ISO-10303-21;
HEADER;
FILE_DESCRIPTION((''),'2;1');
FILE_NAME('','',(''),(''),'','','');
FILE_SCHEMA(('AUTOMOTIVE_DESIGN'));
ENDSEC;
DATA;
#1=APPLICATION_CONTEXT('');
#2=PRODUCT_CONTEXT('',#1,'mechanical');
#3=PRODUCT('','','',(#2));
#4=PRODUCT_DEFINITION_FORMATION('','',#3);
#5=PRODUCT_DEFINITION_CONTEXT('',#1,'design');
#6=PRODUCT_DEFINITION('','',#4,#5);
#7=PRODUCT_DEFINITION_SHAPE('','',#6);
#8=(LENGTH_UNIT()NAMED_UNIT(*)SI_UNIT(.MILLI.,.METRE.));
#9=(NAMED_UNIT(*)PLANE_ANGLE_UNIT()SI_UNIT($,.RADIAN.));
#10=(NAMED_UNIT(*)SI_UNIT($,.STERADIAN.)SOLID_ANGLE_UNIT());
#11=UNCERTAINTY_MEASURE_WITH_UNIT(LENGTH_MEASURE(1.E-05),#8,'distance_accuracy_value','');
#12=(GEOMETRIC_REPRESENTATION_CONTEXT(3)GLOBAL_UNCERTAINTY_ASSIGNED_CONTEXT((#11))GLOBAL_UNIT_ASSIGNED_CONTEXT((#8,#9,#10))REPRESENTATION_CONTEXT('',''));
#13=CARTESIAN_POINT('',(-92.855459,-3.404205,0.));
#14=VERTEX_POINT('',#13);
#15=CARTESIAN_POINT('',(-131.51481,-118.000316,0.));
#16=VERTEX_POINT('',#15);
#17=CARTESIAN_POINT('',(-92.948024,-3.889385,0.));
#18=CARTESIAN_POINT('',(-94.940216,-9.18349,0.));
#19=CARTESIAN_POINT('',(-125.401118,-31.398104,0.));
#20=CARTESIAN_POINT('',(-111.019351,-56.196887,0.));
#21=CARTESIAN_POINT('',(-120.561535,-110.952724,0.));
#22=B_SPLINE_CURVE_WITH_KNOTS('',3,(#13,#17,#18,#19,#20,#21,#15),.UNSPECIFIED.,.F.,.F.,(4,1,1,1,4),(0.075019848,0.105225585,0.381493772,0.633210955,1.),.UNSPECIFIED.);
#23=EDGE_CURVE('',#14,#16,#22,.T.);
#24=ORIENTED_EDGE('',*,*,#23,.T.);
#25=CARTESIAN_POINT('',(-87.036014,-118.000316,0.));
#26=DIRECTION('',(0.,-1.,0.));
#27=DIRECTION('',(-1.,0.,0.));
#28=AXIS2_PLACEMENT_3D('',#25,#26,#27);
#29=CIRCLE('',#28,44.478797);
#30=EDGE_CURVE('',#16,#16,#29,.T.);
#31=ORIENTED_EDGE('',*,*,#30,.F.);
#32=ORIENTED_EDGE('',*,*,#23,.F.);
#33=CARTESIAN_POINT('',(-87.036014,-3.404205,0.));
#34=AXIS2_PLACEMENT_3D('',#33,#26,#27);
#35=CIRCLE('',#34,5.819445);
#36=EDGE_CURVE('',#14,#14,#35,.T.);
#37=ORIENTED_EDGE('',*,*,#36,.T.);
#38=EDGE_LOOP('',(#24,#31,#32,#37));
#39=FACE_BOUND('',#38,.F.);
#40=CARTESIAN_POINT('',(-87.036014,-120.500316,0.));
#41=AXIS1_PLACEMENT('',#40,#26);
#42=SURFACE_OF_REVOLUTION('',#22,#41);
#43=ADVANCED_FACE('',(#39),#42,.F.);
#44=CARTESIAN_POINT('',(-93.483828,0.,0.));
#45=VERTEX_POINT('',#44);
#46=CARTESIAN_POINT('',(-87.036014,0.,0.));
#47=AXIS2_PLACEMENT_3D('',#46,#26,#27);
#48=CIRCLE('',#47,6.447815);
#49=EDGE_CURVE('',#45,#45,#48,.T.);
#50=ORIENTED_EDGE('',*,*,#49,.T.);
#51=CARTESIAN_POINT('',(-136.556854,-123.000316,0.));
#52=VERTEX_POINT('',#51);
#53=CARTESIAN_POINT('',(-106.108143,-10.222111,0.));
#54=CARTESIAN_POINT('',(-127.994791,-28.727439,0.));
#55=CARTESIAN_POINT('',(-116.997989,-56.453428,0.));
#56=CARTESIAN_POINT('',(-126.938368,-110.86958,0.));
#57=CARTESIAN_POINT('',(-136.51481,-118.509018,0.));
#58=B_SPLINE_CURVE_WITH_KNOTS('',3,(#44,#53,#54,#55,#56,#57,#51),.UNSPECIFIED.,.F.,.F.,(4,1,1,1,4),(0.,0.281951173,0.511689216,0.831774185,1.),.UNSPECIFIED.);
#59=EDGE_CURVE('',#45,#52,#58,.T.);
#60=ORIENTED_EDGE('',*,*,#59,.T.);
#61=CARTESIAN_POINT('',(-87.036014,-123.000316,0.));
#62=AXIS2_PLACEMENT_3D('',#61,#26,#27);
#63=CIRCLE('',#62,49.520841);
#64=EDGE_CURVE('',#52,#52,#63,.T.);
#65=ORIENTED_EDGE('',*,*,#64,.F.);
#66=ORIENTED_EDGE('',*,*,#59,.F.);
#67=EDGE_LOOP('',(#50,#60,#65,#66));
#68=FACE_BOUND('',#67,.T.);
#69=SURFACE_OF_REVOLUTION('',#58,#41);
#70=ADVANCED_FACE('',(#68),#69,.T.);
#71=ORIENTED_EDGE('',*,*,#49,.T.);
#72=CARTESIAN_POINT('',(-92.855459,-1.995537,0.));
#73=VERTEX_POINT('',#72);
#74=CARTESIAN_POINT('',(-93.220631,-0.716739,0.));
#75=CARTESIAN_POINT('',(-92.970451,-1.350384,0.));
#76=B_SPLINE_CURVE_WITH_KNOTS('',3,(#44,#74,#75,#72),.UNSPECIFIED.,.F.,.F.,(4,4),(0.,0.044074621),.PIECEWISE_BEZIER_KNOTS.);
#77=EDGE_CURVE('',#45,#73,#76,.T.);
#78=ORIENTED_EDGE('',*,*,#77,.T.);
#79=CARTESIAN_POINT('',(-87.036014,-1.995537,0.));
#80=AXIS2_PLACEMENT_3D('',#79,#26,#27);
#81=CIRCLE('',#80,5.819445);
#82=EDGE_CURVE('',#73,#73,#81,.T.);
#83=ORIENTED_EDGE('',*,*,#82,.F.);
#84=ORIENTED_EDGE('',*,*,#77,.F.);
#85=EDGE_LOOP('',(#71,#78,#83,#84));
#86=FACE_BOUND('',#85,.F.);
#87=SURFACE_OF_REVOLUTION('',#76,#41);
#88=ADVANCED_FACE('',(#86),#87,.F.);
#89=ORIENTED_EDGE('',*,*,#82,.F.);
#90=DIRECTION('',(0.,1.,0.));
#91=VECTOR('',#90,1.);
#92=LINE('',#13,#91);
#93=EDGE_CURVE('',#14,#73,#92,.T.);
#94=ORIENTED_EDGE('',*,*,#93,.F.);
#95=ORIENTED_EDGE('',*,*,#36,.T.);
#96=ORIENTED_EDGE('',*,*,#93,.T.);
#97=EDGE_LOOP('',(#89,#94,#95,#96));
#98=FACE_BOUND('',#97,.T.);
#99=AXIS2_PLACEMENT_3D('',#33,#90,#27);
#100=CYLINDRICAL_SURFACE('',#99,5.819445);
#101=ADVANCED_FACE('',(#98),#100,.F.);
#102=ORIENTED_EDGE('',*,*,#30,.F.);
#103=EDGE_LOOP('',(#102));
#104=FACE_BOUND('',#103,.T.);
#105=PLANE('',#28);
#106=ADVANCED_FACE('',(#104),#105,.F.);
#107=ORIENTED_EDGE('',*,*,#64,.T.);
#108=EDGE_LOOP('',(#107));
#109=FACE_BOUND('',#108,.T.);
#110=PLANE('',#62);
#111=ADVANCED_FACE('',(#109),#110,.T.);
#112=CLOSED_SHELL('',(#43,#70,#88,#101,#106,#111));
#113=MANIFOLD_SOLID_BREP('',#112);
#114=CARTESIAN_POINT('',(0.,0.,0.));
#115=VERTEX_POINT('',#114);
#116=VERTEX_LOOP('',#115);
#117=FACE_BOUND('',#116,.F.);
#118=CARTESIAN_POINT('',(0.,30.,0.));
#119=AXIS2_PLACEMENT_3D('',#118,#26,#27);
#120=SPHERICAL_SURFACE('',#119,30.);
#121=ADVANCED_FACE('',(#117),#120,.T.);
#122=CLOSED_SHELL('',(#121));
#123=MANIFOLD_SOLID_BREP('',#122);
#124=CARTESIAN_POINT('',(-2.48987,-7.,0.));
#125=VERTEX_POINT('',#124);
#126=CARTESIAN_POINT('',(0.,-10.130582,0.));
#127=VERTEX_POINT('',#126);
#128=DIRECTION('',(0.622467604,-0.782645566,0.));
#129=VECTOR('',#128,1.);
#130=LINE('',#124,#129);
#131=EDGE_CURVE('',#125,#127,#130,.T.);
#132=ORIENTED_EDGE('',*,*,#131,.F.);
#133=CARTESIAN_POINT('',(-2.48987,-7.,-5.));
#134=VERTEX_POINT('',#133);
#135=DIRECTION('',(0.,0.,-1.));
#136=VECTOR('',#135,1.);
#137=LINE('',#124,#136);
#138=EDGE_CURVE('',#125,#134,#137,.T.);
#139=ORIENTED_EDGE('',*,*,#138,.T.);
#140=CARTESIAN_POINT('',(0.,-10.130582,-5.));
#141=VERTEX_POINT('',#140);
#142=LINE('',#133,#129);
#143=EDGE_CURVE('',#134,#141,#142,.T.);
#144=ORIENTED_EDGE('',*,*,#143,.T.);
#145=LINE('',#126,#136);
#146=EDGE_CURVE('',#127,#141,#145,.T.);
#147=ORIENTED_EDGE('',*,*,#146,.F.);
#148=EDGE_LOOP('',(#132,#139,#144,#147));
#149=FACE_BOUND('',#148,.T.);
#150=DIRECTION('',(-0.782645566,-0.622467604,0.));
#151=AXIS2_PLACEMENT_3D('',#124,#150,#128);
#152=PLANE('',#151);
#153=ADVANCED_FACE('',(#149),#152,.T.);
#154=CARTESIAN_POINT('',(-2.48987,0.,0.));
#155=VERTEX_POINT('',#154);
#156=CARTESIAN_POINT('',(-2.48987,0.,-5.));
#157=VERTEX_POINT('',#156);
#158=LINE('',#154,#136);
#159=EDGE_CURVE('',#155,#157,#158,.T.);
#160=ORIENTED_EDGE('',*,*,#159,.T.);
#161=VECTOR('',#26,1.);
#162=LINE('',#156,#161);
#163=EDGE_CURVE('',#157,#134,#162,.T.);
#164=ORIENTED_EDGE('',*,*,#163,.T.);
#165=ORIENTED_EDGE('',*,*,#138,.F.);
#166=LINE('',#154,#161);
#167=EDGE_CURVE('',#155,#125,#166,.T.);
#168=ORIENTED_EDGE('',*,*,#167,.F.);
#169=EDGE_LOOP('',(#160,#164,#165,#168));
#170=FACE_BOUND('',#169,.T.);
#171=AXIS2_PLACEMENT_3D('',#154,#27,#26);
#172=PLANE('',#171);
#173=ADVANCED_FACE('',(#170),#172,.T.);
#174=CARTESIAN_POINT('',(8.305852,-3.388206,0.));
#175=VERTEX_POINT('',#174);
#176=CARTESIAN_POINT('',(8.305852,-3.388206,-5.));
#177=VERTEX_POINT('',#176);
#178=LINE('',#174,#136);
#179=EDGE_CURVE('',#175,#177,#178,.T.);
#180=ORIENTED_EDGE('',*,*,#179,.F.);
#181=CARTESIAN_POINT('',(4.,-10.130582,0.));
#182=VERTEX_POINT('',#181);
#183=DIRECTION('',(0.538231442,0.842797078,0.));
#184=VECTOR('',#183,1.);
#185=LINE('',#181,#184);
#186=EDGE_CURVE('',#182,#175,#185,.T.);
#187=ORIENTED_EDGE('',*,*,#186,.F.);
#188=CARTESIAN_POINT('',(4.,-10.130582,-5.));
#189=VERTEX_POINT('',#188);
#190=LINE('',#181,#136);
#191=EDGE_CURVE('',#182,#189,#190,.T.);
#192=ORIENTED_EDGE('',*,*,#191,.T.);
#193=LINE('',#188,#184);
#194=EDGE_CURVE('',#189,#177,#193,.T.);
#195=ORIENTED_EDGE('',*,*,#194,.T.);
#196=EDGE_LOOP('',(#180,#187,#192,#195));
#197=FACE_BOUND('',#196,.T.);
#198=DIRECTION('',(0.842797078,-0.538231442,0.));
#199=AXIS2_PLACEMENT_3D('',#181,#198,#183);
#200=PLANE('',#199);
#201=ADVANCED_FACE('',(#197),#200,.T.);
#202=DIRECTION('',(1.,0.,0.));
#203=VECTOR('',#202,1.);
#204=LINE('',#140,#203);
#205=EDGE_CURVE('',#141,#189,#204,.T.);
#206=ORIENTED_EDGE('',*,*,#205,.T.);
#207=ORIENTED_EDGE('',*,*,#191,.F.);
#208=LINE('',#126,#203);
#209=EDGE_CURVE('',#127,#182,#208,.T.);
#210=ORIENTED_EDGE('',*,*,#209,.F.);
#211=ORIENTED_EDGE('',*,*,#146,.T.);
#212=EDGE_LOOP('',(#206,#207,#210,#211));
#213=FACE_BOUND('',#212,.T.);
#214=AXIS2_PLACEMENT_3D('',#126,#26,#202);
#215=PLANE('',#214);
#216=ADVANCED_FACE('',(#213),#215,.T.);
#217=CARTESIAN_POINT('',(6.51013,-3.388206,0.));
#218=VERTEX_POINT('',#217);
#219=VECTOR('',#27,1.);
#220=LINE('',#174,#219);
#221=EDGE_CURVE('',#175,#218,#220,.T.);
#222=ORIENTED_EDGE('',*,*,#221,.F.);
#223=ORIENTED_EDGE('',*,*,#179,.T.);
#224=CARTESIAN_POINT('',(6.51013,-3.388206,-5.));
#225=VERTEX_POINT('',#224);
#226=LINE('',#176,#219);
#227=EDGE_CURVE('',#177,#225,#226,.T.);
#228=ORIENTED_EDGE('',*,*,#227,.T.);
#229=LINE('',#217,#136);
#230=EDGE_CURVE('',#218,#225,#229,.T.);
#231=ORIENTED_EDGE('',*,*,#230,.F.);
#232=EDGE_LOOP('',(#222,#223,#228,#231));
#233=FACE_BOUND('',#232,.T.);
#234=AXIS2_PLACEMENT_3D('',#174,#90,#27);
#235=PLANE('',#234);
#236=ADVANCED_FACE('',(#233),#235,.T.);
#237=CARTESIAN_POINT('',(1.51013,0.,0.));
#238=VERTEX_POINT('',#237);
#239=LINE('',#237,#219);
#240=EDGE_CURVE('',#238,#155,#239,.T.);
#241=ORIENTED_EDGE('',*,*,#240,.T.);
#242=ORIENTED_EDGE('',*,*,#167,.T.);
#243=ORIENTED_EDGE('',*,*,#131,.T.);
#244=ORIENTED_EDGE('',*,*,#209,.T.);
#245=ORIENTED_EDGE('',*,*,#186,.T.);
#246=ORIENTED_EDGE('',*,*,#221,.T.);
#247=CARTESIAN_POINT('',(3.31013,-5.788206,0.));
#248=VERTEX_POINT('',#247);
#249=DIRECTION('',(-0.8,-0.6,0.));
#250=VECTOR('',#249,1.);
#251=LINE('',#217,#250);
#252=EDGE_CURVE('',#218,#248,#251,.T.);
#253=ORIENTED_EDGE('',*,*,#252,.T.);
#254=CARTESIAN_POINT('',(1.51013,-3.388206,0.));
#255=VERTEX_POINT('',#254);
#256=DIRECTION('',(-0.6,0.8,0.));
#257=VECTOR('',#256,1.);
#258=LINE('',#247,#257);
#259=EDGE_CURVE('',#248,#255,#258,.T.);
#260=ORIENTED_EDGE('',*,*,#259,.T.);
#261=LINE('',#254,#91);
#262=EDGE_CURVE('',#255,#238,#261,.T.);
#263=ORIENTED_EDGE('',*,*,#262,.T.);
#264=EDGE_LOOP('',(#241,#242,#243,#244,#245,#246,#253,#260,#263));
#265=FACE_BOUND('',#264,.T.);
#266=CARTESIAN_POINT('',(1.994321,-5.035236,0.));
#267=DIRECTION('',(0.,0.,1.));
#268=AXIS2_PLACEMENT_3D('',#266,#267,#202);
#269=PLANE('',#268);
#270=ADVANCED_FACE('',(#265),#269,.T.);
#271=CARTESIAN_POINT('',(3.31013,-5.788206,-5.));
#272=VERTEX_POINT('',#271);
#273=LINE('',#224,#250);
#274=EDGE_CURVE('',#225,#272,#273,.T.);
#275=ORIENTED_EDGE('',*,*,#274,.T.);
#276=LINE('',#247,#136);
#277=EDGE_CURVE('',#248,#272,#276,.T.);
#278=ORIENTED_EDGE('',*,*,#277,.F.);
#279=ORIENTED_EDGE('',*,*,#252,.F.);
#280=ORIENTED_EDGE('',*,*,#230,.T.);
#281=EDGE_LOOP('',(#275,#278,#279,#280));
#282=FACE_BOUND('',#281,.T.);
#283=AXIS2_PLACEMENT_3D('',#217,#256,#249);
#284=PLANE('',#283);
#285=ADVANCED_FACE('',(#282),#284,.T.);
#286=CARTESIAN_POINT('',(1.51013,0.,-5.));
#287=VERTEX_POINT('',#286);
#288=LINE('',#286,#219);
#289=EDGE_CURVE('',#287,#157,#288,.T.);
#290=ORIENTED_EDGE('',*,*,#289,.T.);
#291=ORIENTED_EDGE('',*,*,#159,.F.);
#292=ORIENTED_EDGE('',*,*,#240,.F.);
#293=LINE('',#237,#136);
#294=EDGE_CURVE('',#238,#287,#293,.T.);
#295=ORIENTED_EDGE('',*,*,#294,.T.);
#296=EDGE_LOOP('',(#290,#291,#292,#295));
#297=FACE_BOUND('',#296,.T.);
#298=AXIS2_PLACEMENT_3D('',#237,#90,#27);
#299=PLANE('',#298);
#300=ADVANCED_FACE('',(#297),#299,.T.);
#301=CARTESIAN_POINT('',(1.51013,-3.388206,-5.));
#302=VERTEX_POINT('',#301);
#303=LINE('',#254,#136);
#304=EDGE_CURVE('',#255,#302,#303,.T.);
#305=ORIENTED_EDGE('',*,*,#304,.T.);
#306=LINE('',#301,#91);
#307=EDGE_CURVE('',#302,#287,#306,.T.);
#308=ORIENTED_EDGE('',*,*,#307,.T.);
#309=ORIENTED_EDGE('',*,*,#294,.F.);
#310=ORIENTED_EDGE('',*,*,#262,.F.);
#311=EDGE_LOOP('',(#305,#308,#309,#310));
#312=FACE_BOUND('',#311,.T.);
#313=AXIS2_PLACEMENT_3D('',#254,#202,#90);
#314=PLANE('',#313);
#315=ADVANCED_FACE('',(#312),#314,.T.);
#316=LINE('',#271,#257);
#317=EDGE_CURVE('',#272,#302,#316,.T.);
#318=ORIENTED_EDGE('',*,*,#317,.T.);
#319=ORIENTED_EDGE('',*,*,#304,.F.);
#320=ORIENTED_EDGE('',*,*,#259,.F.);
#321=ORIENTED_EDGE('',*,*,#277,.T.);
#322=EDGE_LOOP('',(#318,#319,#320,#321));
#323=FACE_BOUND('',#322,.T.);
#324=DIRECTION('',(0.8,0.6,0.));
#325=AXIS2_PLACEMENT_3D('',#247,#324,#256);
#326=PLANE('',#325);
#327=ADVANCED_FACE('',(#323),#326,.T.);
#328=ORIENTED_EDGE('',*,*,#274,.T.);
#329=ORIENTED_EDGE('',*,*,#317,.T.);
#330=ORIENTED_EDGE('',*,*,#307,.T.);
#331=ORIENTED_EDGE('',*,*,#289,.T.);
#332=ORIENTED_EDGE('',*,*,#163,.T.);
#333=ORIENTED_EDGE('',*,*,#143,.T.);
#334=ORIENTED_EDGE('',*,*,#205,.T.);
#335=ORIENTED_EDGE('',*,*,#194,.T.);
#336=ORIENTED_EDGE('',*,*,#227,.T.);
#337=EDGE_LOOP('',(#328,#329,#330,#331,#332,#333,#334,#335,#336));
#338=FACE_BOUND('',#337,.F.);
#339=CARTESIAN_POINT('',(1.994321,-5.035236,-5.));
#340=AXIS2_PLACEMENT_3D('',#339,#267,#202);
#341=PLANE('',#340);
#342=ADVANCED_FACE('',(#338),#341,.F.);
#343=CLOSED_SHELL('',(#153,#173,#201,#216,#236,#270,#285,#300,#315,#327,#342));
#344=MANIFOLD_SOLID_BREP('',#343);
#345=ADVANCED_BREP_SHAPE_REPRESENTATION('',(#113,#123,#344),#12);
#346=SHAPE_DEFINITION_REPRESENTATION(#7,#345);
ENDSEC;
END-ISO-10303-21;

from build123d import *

# Parameters (mm, degrees)
F5_DEPTH = 5


with BuildPart() as f1:
    # F0 (on Top) → F1 (revolve)
    with BuildSketch(Plane.XY):
        with BuildLine():
            Line((0, 0), (0, 60))
            ThreePointArc((0, 60), (-30, 30), (0, 0))
        make_face()
    revolve(axis=Axis((0, 30, 0), (0, 1, 0)))


with BuildPart() as f3:
    # F2 (on Top) → F3 (revolve)
    with BuildSketch(Plane.XY):
        with BuildLine():
            add(Edge.make_bspline(
                [(-93.4838284843, 0), (-93.2206305008, -0.7167386774), (-92.9704505122, -1.3503838481), (-92.855458658, -1.9955373137)],
                knots=[0, 0, 0, 0, 0.0440746209, 0.0440746209, 0.0440746209, 0.0440746209], degree=3))
            add(Edge.make_bspline(
                [(-93.4838284843, 0), (-106.1081430657, -10.22211057), (-127.9947905136, -28.7274394842), (-116.997988979, -56.4534275759), (-126.9383677829, -110.8695795739), (-136.5148101472, -118.509018224), (-136.5568541885, -123.0003163218)],
                knots=[0, 0, 0, 0, 0.2819511732, 0.5116892163, 0.831774185, 1, 1, 1, 1], degree=3))
            Line((-136.5568541885, -123.0003163218), (-87.0360136032, -123.0003163218))
            Line((-87.0360136032, -123.0003163218), (-87.0360136032, -118.0003163218))
            Line((-87.0360136032, -118.0003163218), (-131.5148101472, -118.0003163218))
            add(Edge.make_bspline(
                [(-92.855458658, -3.4042052445), (-92.9480242126, -3.8893847513), (-94.9402164982, -9.1834897663), (-125.4011183599, -31.398104491), (-111.0193506664, -56.1968872739), (-120.5615350152, -110.9527235263), (-131.5148101472, -118.0003163218)],
                knots=[0.0750198482, 0.0750198482, 0.0750198482, 0.0750198482, 0.1052255853, 0.3814937719, 0.6332109555, 1, 1, 1, 1], degree=3))
            Line((-92.855458658, -3.4042052445), (-92.855458658, -1.9955373137))
        make_face()
    revolve(axis=Axis((-87.0360136032, -120.5003163218, 0), (0, -1, 0)))


with BuildPart() as f5:
    # F4 (on Top) → F5 (new body)
    with BuildSketch(Plane.XY):
        Polygon((1.5101295859, 0), (-2.4898704141, 0), (-2.4898704141, -7), (0, -10.1305822655), (4, -10.1305822655), (8.3058515345, -3.3882056397), (6.5101295859, -3.3882056397), (3.3101295859, -5.7882056397), (1.5101295859, -3.3882056397), align=None)
    extrude(amount=-F5_DEPTH)


solid = Compound([f1.part, f3.part, f5.part])
